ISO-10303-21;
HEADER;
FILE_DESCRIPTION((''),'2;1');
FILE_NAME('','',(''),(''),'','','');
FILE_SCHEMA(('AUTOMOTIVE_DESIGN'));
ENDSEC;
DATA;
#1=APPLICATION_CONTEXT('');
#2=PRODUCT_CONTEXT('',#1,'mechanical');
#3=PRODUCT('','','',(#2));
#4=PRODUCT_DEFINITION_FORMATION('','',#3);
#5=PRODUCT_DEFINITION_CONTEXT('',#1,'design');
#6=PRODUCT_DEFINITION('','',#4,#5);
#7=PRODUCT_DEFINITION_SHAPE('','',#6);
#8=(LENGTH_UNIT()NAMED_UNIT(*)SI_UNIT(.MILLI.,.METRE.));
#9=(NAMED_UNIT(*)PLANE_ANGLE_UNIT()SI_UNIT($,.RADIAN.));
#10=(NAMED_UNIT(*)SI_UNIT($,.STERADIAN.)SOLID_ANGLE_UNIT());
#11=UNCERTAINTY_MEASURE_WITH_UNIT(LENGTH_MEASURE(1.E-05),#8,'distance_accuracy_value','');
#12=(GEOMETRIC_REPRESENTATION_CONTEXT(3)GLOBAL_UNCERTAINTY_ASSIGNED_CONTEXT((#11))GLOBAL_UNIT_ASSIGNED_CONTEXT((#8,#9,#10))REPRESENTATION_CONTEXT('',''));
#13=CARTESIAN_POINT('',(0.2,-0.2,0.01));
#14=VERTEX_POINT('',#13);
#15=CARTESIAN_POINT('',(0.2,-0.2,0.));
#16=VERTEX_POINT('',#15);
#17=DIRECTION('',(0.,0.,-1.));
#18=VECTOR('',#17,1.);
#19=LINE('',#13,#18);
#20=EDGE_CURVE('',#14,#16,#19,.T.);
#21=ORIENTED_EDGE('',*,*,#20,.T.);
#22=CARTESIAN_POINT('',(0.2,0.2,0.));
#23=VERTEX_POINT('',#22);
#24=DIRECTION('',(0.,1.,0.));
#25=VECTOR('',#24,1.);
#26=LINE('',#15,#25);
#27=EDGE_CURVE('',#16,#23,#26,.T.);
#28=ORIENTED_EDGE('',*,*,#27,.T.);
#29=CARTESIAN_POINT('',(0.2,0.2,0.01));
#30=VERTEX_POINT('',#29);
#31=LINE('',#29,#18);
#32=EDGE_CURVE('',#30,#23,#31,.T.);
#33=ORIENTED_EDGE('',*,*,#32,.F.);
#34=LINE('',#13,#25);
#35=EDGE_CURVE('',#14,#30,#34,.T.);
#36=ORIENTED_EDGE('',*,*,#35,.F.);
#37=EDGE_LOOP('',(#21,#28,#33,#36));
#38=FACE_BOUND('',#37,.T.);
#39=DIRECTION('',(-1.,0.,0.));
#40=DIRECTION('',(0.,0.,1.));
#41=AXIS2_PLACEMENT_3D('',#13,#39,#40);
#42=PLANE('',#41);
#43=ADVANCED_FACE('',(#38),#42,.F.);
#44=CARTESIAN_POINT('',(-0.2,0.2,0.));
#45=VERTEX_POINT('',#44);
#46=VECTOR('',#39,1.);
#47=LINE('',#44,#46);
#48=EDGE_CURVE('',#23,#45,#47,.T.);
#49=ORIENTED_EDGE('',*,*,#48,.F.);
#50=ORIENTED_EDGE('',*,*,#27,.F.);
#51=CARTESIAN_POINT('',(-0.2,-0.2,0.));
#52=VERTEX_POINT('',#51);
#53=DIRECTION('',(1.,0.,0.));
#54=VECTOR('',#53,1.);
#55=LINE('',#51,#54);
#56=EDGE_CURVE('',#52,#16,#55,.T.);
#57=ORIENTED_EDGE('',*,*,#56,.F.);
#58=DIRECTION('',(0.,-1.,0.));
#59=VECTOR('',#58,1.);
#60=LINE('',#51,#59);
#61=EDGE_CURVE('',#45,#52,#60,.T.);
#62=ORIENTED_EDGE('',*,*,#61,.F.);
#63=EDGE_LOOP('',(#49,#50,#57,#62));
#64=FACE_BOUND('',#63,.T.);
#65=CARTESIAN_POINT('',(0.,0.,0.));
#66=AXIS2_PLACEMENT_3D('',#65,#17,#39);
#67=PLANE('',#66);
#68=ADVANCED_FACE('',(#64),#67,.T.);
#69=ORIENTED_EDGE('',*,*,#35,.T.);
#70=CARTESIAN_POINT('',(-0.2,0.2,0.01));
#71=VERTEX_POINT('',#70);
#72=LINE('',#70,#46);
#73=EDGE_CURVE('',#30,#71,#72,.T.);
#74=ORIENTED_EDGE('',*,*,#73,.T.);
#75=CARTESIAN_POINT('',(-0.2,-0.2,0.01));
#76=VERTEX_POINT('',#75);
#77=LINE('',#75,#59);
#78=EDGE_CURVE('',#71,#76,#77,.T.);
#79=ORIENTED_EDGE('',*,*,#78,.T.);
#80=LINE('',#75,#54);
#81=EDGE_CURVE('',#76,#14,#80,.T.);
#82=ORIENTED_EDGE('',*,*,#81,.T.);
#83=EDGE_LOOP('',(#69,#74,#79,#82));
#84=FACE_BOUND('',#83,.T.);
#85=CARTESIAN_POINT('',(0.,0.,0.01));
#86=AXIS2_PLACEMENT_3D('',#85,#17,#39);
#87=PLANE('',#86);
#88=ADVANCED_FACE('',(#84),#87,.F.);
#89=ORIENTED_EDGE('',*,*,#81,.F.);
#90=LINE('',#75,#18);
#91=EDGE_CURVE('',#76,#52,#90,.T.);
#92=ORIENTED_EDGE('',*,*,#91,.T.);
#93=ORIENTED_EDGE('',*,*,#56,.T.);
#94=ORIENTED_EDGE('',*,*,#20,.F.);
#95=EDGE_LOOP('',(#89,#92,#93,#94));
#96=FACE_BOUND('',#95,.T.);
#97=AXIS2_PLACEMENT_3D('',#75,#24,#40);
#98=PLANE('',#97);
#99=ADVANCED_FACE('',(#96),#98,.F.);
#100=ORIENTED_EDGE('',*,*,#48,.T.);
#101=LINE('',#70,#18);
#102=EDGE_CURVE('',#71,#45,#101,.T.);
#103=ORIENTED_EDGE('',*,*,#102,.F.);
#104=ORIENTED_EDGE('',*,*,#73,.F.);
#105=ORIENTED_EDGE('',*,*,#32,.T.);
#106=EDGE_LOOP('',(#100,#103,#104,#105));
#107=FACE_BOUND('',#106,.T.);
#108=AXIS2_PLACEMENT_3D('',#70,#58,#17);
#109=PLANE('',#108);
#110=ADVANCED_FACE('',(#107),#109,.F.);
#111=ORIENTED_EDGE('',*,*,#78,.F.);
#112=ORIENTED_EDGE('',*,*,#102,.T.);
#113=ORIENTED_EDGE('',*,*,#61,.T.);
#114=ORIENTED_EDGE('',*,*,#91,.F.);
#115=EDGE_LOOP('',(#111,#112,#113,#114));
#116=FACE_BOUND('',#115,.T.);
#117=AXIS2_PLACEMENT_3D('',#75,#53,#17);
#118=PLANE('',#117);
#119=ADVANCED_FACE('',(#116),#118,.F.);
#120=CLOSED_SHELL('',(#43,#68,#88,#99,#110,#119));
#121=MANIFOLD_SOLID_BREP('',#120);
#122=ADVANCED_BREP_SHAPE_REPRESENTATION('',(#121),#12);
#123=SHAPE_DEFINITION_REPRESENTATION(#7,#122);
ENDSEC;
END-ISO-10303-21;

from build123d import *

# Parameters (mm, degrees)
SKETCH1_W           = 0.4
SKETCH1_H           = 0.4
BOSS_EXTRUDE1_DEPTH = 0.01


with BuildPart() as part:
    # Sketch1 → Boss-Extrude1 (new body)
    with BuildSketch(Plane.XY):
        Rectangle(SKETCH1_W, SKETCH1_H)
    extrude(amount=BOSS_EXTRUDE1_DEPTH)


solid = part.part
